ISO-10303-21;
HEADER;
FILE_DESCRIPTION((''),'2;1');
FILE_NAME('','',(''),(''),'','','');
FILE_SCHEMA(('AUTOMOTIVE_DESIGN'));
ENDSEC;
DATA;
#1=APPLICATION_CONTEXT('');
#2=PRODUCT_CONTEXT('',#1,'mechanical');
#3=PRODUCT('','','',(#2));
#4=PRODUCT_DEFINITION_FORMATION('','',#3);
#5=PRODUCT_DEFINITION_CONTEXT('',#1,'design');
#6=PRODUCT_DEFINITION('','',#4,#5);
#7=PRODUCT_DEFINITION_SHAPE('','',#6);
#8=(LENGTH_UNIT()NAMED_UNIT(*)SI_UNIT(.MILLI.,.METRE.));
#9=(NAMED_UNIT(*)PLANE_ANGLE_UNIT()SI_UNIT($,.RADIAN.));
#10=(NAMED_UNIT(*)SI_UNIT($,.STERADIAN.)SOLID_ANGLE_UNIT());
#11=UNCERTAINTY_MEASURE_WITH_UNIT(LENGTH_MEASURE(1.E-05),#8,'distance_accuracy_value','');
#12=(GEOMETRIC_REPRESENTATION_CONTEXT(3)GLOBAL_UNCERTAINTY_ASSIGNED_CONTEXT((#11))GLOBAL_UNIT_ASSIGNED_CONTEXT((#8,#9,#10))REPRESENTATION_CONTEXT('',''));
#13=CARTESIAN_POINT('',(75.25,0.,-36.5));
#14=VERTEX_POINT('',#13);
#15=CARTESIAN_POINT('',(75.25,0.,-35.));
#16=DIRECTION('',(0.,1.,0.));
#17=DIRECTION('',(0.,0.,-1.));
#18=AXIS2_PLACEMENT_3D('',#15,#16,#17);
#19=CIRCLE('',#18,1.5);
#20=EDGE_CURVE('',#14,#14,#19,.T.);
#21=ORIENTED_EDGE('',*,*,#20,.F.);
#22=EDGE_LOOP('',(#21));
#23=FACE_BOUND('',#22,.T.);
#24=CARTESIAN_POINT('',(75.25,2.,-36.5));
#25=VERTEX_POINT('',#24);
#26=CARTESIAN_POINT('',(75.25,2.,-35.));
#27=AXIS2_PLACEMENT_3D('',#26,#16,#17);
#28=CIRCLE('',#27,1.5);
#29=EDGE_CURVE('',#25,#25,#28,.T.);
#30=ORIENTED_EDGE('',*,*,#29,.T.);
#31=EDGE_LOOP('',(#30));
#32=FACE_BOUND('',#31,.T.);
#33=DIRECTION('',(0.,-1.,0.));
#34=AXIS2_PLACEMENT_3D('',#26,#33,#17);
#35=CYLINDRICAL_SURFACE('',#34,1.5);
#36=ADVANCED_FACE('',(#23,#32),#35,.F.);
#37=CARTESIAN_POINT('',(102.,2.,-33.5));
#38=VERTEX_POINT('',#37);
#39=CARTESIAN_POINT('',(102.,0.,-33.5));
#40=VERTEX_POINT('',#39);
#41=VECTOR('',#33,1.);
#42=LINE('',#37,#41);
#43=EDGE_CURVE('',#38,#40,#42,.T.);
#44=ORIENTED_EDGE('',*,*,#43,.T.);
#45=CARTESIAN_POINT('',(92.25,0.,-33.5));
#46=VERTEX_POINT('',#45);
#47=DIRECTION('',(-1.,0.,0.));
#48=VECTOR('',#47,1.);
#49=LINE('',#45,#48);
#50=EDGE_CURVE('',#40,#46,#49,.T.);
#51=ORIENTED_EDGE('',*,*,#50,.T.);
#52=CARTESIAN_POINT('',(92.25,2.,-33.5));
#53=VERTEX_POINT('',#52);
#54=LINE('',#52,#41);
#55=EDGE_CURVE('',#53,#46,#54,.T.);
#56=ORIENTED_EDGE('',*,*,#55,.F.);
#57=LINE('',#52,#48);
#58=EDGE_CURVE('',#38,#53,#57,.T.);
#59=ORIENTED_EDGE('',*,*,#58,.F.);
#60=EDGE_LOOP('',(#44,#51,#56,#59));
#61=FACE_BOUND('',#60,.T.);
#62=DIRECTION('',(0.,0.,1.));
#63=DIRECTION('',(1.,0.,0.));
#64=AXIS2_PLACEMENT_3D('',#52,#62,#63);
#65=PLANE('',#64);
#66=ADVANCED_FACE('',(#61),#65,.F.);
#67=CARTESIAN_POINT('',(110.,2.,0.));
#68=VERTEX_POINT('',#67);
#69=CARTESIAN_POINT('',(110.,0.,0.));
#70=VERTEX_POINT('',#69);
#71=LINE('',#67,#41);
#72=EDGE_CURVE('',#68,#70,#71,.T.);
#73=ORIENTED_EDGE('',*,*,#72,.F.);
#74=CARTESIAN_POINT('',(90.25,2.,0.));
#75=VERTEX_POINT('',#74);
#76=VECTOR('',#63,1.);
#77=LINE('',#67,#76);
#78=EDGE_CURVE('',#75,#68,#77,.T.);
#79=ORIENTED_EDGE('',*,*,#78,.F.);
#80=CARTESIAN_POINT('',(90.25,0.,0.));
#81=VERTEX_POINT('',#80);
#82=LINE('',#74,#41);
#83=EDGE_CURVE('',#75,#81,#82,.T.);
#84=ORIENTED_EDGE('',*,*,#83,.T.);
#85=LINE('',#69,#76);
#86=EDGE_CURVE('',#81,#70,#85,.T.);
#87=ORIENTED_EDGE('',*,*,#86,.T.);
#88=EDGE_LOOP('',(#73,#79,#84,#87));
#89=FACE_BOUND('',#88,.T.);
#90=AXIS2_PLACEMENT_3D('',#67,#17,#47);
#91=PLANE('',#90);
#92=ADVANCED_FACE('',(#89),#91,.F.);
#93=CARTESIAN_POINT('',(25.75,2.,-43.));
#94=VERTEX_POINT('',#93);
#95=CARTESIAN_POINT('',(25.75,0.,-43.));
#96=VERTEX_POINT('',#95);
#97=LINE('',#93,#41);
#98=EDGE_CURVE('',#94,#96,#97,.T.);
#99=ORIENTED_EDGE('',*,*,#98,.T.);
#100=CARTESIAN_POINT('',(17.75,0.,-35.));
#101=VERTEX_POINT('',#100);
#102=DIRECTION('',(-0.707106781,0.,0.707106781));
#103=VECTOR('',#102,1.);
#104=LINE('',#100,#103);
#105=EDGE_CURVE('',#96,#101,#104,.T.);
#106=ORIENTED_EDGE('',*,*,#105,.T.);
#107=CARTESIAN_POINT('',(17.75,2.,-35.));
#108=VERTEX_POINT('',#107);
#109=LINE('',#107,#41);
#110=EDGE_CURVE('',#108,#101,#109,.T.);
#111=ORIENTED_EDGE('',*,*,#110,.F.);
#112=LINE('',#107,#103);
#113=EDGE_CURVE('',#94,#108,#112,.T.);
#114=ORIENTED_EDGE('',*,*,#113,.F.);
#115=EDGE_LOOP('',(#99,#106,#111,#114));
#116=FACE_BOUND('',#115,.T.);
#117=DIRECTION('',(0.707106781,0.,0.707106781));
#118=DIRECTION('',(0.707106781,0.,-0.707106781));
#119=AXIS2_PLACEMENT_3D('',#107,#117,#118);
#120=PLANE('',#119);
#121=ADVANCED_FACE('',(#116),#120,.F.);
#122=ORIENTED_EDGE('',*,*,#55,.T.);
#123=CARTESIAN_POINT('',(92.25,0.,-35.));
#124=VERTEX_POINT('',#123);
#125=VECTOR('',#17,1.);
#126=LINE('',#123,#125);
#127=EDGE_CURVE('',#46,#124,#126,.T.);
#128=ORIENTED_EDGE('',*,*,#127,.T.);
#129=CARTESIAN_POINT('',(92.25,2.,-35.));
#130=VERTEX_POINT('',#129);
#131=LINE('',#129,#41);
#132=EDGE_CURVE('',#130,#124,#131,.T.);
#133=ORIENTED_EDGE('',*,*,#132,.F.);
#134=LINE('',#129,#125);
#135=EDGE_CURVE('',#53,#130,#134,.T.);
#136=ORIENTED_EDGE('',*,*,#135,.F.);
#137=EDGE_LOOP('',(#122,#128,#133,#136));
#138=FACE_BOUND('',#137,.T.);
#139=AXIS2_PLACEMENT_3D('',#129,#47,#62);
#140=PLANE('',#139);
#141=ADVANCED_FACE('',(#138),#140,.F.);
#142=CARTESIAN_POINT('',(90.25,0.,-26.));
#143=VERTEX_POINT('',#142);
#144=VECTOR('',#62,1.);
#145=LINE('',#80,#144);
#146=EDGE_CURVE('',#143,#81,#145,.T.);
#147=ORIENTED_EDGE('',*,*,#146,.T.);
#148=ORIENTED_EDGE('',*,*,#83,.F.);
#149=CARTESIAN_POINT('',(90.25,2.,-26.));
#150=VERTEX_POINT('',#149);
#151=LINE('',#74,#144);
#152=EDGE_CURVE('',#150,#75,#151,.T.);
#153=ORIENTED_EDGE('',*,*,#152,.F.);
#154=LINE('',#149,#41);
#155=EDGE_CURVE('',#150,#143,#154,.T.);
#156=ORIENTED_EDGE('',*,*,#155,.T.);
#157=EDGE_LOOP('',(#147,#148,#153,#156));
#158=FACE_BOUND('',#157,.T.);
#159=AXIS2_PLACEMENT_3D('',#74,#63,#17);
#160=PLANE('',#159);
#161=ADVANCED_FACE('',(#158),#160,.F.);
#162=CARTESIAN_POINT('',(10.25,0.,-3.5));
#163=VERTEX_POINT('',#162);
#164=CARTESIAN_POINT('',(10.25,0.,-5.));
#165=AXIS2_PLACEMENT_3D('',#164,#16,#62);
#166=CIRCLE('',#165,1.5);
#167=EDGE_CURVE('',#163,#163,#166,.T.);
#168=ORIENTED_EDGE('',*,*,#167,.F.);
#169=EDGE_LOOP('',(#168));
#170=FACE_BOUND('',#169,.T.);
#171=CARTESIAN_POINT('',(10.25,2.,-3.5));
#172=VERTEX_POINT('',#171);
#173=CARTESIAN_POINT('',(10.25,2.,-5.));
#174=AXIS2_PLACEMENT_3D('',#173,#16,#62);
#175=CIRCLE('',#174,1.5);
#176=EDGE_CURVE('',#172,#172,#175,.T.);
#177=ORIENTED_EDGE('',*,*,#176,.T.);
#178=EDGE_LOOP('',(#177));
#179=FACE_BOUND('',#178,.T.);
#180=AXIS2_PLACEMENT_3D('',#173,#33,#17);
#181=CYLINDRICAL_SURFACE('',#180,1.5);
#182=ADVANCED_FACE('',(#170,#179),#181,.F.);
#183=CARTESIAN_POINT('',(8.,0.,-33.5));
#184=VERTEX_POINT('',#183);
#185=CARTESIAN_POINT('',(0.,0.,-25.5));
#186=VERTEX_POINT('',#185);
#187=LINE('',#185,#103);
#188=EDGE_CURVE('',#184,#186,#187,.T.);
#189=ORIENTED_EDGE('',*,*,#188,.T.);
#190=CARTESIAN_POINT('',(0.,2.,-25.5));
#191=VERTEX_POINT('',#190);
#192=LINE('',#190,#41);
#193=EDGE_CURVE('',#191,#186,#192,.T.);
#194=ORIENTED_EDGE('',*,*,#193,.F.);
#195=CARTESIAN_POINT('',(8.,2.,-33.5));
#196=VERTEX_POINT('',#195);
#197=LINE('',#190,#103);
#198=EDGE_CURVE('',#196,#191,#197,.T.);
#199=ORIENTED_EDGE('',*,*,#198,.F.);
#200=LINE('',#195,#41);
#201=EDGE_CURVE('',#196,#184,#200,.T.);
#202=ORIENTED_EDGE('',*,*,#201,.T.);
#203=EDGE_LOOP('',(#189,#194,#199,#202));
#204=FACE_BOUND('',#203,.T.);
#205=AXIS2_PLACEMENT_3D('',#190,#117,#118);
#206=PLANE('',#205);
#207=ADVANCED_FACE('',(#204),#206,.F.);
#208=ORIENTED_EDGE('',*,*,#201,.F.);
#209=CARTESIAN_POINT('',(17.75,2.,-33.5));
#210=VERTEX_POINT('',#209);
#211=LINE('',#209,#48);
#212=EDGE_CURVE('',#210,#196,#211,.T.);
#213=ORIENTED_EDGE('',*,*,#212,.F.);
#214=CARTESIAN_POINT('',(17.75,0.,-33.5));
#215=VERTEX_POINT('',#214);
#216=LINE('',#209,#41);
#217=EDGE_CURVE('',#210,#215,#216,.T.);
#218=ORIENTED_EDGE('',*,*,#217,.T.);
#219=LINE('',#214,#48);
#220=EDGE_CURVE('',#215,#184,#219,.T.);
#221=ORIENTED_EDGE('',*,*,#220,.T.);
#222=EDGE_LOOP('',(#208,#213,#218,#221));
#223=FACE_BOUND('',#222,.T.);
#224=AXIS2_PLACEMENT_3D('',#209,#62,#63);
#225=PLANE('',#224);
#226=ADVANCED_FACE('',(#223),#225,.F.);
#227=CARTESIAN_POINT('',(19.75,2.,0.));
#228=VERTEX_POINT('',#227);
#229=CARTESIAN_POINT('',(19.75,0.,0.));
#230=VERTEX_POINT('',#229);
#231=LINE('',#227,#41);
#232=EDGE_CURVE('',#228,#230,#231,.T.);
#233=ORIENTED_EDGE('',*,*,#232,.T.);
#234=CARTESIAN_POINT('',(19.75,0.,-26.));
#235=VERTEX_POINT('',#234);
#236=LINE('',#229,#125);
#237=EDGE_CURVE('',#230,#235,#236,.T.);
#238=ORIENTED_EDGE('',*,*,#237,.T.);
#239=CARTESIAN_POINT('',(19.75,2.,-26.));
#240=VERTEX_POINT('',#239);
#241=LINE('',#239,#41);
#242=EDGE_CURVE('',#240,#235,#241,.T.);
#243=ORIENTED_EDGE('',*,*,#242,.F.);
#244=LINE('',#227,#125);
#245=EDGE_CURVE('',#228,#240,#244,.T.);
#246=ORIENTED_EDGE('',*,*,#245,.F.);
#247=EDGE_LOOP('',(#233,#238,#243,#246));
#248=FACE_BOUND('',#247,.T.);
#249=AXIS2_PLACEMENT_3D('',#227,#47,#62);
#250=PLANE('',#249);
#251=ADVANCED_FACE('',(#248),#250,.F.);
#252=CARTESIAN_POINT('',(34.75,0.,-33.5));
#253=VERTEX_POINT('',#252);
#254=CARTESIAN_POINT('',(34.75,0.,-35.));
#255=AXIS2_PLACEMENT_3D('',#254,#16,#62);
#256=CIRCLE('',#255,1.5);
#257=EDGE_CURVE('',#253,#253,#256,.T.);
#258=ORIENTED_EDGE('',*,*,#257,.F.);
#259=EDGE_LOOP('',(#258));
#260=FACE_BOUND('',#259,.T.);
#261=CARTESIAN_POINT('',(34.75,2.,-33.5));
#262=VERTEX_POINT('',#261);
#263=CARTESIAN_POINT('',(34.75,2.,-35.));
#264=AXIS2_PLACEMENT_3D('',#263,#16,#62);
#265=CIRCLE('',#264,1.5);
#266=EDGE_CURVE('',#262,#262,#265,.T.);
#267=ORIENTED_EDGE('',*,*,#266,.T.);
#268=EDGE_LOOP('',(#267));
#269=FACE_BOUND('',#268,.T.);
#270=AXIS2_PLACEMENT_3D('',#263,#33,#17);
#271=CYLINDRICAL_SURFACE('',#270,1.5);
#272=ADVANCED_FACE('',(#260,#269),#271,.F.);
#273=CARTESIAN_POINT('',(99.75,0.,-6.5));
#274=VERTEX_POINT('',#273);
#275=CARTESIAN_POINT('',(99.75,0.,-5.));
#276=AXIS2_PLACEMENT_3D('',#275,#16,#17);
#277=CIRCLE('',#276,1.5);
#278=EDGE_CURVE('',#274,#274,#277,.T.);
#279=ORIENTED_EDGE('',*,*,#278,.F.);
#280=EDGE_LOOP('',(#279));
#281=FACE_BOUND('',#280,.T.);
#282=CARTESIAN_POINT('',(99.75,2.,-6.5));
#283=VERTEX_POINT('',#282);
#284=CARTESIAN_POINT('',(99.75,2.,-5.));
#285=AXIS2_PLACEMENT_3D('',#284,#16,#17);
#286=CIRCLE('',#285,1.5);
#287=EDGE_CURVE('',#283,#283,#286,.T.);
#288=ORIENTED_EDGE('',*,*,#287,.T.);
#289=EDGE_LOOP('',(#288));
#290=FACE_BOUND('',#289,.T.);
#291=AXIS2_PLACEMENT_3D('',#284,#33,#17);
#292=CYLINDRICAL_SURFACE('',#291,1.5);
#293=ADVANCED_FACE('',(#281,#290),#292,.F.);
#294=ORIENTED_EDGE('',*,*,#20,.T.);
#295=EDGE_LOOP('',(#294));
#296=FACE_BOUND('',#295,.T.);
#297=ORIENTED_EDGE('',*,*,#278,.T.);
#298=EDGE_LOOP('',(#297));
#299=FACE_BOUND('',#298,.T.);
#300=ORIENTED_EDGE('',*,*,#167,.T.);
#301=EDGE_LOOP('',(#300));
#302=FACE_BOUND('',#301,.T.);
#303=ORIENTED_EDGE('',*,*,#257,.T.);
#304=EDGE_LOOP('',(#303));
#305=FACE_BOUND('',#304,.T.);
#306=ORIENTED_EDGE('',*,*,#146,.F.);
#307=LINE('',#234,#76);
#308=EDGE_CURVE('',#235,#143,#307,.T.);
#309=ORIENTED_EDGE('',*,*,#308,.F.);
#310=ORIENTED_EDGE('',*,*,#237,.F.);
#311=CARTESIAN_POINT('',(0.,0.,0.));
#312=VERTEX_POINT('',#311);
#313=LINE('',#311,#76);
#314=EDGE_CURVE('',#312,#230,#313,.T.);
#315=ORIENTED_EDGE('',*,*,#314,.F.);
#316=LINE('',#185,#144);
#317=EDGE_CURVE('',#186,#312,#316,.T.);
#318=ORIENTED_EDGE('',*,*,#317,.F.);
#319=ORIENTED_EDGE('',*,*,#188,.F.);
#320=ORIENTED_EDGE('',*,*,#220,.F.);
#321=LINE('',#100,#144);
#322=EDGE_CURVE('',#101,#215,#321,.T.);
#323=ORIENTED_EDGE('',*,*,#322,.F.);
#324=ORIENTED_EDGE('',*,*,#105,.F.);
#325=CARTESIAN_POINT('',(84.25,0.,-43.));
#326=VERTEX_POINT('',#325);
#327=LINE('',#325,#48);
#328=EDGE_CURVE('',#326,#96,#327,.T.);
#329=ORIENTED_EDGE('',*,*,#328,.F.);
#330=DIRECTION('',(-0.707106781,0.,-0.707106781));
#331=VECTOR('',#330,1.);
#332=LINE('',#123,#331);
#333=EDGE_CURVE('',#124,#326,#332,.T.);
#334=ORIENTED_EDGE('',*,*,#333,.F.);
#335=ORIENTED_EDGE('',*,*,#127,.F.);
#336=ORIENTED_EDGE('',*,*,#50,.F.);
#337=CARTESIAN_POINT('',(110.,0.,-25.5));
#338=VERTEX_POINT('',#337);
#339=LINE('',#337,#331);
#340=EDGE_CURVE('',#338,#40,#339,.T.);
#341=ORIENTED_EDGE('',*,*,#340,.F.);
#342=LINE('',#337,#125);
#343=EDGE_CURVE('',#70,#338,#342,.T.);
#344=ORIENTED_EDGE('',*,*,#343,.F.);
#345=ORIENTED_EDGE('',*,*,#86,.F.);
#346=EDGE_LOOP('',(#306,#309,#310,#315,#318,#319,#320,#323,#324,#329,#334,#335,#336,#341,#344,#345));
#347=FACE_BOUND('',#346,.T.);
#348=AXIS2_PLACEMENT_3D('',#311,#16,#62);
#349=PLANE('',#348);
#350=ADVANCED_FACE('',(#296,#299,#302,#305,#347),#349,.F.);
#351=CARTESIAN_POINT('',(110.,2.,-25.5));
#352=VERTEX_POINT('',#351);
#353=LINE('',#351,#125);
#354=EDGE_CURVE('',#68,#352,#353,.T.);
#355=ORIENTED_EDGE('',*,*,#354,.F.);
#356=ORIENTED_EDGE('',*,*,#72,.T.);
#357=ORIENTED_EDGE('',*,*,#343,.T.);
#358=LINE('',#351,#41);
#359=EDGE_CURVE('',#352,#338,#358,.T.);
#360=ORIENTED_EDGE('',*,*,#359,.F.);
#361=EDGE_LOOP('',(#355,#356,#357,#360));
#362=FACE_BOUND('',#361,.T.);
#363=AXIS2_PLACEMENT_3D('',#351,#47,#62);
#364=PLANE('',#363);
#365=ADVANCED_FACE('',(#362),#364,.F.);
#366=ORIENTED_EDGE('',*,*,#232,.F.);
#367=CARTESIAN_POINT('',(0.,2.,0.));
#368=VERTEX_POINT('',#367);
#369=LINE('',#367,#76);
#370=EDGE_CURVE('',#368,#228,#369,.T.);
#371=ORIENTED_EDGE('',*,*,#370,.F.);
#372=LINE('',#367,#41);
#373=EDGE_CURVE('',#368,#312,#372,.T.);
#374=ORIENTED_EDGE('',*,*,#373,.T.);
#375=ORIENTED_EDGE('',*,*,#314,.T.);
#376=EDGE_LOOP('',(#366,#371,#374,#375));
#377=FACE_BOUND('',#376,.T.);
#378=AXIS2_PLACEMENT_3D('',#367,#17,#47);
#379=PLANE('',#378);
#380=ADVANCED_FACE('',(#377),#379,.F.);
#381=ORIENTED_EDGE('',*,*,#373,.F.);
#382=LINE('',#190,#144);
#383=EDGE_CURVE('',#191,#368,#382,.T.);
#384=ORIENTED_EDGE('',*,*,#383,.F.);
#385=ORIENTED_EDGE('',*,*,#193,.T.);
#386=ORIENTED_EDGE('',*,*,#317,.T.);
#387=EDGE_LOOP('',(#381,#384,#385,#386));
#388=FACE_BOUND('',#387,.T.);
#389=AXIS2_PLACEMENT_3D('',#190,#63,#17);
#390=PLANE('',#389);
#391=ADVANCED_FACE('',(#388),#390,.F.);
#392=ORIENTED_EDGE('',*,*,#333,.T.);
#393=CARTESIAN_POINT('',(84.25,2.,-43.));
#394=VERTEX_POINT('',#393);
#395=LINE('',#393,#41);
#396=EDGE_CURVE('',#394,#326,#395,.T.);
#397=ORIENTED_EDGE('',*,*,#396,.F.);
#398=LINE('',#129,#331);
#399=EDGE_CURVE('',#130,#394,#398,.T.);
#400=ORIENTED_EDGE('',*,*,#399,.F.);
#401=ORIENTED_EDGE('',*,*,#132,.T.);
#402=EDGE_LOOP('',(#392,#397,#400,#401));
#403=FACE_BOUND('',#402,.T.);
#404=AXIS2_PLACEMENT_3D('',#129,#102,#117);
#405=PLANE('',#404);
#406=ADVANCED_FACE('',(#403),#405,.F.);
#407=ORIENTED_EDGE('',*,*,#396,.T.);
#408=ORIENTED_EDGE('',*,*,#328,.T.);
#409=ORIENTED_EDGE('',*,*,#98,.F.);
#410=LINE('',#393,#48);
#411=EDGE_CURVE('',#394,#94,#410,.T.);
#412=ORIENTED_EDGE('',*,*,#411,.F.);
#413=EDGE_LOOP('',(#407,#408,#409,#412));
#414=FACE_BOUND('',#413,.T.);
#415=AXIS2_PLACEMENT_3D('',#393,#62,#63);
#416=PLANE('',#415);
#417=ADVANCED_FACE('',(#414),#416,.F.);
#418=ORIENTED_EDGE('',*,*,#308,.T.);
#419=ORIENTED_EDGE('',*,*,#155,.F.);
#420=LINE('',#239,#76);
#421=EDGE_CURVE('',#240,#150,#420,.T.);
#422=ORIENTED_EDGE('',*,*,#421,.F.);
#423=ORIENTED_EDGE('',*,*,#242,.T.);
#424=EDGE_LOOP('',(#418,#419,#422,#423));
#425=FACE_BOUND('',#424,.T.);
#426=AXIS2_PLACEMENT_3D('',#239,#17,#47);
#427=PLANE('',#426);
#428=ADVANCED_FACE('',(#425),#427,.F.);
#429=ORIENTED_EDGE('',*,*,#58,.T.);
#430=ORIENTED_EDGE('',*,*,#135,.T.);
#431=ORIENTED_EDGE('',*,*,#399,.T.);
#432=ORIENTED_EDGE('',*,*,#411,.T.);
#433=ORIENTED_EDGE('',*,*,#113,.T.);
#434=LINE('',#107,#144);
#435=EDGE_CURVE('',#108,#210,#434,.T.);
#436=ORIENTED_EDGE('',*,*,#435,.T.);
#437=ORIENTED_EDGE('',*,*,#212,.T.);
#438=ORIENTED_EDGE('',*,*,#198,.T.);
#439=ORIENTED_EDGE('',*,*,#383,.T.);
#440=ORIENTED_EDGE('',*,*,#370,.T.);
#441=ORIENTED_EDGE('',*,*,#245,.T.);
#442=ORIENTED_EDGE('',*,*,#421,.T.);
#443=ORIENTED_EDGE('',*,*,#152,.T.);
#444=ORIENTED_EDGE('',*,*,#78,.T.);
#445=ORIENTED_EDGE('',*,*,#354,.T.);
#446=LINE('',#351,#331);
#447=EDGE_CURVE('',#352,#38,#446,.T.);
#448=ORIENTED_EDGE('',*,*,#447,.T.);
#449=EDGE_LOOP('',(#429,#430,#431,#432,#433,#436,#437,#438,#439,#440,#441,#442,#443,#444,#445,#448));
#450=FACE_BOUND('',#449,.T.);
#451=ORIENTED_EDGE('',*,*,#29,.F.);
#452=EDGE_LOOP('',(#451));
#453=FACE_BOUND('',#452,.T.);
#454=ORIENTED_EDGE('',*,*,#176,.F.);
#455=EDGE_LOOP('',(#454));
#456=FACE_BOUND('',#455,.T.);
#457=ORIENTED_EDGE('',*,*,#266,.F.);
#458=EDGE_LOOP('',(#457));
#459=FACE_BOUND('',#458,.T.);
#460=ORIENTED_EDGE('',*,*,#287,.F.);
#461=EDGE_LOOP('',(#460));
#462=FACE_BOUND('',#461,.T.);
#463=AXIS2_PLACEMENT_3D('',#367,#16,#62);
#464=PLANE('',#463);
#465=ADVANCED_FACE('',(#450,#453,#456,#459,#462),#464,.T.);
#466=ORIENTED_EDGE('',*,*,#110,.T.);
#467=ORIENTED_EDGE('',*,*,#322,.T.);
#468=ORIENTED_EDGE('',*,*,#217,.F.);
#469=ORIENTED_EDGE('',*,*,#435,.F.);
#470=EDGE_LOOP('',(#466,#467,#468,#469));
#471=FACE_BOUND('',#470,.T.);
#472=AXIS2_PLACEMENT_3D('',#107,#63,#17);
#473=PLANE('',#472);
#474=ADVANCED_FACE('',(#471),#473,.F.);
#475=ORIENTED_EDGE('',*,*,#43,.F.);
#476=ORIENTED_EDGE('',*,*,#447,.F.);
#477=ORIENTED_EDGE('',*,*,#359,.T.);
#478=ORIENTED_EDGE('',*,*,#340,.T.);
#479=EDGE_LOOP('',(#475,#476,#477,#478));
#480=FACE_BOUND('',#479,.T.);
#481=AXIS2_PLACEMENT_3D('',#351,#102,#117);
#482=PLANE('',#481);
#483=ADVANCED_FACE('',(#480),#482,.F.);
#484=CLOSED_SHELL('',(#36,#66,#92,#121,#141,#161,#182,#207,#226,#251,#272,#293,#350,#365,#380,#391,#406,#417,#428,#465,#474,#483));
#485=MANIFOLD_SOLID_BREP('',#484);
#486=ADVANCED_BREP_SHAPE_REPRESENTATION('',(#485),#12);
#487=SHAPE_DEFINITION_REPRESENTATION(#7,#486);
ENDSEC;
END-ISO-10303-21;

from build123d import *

# Parameters (mm, degrees)
SKETCH1_R           = 1.5
BOSS_EXTRUDE1_DEPTH = 2


with BuildPart() as part:
    # Sketch1 → Boss-Extrude1 (new body)
    with BuildSketch(Plane(origin=(0, 0, 0), x_dir=(1, 0, 0), z_dir=(0, 1, 0))):
        Polygon((0, 0), (19.75, 0), (19.75, 26), (90.25, 26), (90.25, 0), (110, 0), (110, 25.5), (102, 33.5), (92.25, 33.5), (92.25, 35), (84.25, 43), (25.75, 43), (17.75, 35), (17.75, 33.5), (8, 33.5), (0, 25.5), align=None)
        with Locations(Location((10.25, 5, 0), (0, 0, 270))):
            Circle(SKETCH1_R, mode=Mode.SUBTRACT)
        with Locations(Location((34.75, 35, 0), (0, 0, 270))):
            Circle(SKETCH1_R, mode=Mode.SUBTRACT)
        with Locations(Location((75.25, 35, 0), (0, 0, 90))):
            Circle(SKETCH1_R, mode=Mode.SUBTRACT)
        with Locations(Location((99.75, 5, 0), (0, 0, 90))):
            Circle(SKETCH1_R, mode=Mode.SUBTRACT)
    extrude(amount=BOSS_EXTRUDE1_DEPTH)


solid = part.part
